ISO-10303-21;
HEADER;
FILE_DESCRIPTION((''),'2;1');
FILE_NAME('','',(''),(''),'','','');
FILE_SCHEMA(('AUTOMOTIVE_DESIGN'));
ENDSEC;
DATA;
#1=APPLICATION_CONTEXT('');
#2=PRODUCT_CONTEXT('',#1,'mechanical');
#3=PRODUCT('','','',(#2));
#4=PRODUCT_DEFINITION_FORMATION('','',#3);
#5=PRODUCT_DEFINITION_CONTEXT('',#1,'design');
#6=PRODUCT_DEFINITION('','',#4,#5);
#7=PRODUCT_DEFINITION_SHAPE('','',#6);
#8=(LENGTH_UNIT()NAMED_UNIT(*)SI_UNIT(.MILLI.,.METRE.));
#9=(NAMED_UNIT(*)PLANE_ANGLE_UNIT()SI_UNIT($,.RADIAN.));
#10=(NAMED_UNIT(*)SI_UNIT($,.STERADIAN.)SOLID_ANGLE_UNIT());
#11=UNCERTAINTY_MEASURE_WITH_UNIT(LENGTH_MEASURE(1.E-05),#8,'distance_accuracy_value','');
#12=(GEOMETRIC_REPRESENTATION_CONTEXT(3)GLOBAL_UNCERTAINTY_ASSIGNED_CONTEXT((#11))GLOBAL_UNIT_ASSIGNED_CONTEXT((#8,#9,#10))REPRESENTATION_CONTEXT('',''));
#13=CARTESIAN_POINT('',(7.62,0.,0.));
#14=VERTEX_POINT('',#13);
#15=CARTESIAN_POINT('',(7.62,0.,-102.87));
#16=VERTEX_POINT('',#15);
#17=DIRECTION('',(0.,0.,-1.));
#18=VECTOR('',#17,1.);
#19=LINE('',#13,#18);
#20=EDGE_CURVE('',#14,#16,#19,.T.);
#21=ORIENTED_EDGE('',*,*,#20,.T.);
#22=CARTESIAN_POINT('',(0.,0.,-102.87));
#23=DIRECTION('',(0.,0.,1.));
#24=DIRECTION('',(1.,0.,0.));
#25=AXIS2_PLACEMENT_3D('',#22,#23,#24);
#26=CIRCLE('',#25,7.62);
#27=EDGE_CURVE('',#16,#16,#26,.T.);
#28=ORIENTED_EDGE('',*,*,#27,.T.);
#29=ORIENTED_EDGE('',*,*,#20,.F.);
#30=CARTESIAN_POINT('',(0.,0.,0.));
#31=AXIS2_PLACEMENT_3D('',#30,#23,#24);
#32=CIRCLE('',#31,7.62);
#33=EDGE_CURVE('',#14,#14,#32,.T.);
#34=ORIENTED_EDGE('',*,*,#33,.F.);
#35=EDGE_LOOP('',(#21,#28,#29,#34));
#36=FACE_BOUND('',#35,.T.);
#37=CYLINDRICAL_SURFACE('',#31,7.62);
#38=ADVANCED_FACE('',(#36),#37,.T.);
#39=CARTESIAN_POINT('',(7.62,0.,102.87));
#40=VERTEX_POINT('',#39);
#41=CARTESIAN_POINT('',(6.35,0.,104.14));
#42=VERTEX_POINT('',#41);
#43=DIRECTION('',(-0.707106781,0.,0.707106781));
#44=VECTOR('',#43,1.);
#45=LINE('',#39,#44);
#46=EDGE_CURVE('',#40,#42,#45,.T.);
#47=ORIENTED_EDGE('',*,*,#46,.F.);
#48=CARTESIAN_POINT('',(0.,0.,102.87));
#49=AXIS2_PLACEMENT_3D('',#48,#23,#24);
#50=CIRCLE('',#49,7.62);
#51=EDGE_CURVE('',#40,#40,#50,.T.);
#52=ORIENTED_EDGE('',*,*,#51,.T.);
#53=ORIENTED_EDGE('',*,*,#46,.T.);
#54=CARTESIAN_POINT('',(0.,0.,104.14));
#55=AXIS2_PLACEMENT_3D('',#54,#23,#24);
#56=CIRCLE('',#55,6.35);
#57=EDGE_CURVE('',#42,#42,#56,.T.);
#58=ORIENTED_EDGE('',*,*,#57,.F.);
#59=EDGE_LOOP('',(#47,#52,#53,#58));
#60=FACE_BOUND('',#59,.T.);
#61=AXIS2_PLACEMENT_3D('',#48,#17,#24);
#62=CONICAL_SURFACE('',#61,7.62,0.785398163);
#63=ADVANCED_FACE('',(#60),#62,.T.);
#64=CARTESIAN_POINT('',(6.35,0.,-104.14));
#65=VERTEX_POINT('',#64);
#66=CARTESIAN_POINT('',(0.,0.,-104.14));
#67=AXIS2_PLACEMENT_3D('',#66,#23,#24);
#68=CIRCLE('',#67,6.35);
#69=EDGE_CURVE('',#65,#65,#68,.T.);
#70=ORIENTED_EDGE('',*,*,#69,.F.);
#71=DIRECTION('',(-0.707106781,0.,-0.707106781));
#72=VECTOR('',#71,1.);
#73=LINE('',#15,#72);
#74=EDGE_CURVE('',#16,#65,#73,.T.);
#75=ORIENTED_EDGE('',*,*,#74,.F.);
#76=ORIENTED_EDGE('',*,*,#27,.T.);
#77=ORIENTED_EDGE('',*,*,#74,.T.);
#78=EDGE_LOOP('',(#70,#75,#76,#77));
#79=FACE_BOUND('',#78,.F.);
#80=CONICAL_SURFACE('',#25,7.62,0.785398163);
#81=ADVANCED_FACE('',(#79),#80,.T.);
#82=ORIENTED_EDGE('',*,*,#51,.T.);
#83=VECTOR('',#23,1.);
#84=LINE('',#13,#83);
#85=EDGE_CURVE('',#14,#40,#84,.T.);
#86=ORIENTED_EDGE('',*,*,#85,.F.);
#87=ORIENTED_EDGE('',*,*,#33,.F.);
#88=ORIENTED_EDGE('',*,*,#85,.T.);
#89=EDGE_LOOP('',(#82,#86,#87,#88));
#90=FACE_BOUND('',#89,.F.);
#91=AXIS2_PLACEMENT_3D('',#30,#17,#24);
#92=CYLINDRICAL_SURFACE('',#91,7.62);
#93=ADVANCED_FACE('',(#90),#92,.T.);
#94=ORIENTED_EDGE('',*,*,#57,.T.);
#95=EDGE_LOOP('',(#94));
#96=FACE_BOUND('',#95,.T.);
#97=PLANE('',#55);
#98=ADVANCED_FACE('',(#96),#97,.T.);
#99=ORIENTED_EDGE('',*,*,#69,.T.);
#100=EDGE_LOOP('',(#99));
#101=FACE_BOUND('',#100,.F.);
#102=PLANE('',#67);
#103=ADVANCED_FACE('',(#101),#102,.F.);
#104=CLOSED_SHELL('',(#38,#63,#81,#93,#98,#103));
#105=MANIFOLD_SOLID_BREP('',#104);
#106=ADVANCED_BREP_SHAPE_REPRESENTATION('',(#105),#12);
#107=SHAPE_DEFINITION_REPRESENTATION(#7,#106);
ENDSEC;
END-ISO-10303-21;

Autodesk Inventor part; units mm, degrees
ref_plane "YZ Plane" through (0, 0, 0) normal (1, 0, 0) x (0, 1, 0)
ref_plane "XZ Plane" through (0, 0, 0) normal (0, 1, 0) x (-1, 0, 0)
ref_plane "XY Plane" through (0, 0, 0) normal (0, 0, 1) x (1, 0, 0)
sketch "Sketch1" plane through (0, 0, 0) normal (0, 0, 1) x (1, 0, 0)
  circle A0 centre (0, 0) radius 7.62
  dimension "d0" = 15.24
extrude "Extrusion1" add sketch "Sketch1" along normal mid plane 208.28
thread "Thread1" size "5/8-11 UNC" class "2A" standard "ANSI Unified Screw Threads" length 25.4
thread "Thread2" size "5/8-11 UNC" class "2A" standard "ANSI Unified Screw Threads" length 25.4
chamfer "Chamfer1" distance 1.27 angle 45 2 edges at (-7.62, 0, 104.14) (-7.62, 0, -104.14) measured on face at (7.5953, -0.6132, -69.4267) measured on face at (7.5953, -0.6132, 69.4267)
equation "\"BendRadius\" = Thickness"
equation "\"BendReliefWidth\" = Thickness"
equation "\"BendReliefDepth\" = 0.5 * Thickness"
equation "\"CornerReliefSize\" = 4 * Thickness"
equation "\"MinimumRemnant\" = 2 * Thickness"
equation "\"TransitionRadius\" = BendRadius"
equation "\"JacobiRadiusSize\" = BendRadius"
equation "\"GapSize\" = Thickness"
equation "\"Thickness\" = 3.048"
properties part number "cylinder head bolt" material "Stainless Steel"
